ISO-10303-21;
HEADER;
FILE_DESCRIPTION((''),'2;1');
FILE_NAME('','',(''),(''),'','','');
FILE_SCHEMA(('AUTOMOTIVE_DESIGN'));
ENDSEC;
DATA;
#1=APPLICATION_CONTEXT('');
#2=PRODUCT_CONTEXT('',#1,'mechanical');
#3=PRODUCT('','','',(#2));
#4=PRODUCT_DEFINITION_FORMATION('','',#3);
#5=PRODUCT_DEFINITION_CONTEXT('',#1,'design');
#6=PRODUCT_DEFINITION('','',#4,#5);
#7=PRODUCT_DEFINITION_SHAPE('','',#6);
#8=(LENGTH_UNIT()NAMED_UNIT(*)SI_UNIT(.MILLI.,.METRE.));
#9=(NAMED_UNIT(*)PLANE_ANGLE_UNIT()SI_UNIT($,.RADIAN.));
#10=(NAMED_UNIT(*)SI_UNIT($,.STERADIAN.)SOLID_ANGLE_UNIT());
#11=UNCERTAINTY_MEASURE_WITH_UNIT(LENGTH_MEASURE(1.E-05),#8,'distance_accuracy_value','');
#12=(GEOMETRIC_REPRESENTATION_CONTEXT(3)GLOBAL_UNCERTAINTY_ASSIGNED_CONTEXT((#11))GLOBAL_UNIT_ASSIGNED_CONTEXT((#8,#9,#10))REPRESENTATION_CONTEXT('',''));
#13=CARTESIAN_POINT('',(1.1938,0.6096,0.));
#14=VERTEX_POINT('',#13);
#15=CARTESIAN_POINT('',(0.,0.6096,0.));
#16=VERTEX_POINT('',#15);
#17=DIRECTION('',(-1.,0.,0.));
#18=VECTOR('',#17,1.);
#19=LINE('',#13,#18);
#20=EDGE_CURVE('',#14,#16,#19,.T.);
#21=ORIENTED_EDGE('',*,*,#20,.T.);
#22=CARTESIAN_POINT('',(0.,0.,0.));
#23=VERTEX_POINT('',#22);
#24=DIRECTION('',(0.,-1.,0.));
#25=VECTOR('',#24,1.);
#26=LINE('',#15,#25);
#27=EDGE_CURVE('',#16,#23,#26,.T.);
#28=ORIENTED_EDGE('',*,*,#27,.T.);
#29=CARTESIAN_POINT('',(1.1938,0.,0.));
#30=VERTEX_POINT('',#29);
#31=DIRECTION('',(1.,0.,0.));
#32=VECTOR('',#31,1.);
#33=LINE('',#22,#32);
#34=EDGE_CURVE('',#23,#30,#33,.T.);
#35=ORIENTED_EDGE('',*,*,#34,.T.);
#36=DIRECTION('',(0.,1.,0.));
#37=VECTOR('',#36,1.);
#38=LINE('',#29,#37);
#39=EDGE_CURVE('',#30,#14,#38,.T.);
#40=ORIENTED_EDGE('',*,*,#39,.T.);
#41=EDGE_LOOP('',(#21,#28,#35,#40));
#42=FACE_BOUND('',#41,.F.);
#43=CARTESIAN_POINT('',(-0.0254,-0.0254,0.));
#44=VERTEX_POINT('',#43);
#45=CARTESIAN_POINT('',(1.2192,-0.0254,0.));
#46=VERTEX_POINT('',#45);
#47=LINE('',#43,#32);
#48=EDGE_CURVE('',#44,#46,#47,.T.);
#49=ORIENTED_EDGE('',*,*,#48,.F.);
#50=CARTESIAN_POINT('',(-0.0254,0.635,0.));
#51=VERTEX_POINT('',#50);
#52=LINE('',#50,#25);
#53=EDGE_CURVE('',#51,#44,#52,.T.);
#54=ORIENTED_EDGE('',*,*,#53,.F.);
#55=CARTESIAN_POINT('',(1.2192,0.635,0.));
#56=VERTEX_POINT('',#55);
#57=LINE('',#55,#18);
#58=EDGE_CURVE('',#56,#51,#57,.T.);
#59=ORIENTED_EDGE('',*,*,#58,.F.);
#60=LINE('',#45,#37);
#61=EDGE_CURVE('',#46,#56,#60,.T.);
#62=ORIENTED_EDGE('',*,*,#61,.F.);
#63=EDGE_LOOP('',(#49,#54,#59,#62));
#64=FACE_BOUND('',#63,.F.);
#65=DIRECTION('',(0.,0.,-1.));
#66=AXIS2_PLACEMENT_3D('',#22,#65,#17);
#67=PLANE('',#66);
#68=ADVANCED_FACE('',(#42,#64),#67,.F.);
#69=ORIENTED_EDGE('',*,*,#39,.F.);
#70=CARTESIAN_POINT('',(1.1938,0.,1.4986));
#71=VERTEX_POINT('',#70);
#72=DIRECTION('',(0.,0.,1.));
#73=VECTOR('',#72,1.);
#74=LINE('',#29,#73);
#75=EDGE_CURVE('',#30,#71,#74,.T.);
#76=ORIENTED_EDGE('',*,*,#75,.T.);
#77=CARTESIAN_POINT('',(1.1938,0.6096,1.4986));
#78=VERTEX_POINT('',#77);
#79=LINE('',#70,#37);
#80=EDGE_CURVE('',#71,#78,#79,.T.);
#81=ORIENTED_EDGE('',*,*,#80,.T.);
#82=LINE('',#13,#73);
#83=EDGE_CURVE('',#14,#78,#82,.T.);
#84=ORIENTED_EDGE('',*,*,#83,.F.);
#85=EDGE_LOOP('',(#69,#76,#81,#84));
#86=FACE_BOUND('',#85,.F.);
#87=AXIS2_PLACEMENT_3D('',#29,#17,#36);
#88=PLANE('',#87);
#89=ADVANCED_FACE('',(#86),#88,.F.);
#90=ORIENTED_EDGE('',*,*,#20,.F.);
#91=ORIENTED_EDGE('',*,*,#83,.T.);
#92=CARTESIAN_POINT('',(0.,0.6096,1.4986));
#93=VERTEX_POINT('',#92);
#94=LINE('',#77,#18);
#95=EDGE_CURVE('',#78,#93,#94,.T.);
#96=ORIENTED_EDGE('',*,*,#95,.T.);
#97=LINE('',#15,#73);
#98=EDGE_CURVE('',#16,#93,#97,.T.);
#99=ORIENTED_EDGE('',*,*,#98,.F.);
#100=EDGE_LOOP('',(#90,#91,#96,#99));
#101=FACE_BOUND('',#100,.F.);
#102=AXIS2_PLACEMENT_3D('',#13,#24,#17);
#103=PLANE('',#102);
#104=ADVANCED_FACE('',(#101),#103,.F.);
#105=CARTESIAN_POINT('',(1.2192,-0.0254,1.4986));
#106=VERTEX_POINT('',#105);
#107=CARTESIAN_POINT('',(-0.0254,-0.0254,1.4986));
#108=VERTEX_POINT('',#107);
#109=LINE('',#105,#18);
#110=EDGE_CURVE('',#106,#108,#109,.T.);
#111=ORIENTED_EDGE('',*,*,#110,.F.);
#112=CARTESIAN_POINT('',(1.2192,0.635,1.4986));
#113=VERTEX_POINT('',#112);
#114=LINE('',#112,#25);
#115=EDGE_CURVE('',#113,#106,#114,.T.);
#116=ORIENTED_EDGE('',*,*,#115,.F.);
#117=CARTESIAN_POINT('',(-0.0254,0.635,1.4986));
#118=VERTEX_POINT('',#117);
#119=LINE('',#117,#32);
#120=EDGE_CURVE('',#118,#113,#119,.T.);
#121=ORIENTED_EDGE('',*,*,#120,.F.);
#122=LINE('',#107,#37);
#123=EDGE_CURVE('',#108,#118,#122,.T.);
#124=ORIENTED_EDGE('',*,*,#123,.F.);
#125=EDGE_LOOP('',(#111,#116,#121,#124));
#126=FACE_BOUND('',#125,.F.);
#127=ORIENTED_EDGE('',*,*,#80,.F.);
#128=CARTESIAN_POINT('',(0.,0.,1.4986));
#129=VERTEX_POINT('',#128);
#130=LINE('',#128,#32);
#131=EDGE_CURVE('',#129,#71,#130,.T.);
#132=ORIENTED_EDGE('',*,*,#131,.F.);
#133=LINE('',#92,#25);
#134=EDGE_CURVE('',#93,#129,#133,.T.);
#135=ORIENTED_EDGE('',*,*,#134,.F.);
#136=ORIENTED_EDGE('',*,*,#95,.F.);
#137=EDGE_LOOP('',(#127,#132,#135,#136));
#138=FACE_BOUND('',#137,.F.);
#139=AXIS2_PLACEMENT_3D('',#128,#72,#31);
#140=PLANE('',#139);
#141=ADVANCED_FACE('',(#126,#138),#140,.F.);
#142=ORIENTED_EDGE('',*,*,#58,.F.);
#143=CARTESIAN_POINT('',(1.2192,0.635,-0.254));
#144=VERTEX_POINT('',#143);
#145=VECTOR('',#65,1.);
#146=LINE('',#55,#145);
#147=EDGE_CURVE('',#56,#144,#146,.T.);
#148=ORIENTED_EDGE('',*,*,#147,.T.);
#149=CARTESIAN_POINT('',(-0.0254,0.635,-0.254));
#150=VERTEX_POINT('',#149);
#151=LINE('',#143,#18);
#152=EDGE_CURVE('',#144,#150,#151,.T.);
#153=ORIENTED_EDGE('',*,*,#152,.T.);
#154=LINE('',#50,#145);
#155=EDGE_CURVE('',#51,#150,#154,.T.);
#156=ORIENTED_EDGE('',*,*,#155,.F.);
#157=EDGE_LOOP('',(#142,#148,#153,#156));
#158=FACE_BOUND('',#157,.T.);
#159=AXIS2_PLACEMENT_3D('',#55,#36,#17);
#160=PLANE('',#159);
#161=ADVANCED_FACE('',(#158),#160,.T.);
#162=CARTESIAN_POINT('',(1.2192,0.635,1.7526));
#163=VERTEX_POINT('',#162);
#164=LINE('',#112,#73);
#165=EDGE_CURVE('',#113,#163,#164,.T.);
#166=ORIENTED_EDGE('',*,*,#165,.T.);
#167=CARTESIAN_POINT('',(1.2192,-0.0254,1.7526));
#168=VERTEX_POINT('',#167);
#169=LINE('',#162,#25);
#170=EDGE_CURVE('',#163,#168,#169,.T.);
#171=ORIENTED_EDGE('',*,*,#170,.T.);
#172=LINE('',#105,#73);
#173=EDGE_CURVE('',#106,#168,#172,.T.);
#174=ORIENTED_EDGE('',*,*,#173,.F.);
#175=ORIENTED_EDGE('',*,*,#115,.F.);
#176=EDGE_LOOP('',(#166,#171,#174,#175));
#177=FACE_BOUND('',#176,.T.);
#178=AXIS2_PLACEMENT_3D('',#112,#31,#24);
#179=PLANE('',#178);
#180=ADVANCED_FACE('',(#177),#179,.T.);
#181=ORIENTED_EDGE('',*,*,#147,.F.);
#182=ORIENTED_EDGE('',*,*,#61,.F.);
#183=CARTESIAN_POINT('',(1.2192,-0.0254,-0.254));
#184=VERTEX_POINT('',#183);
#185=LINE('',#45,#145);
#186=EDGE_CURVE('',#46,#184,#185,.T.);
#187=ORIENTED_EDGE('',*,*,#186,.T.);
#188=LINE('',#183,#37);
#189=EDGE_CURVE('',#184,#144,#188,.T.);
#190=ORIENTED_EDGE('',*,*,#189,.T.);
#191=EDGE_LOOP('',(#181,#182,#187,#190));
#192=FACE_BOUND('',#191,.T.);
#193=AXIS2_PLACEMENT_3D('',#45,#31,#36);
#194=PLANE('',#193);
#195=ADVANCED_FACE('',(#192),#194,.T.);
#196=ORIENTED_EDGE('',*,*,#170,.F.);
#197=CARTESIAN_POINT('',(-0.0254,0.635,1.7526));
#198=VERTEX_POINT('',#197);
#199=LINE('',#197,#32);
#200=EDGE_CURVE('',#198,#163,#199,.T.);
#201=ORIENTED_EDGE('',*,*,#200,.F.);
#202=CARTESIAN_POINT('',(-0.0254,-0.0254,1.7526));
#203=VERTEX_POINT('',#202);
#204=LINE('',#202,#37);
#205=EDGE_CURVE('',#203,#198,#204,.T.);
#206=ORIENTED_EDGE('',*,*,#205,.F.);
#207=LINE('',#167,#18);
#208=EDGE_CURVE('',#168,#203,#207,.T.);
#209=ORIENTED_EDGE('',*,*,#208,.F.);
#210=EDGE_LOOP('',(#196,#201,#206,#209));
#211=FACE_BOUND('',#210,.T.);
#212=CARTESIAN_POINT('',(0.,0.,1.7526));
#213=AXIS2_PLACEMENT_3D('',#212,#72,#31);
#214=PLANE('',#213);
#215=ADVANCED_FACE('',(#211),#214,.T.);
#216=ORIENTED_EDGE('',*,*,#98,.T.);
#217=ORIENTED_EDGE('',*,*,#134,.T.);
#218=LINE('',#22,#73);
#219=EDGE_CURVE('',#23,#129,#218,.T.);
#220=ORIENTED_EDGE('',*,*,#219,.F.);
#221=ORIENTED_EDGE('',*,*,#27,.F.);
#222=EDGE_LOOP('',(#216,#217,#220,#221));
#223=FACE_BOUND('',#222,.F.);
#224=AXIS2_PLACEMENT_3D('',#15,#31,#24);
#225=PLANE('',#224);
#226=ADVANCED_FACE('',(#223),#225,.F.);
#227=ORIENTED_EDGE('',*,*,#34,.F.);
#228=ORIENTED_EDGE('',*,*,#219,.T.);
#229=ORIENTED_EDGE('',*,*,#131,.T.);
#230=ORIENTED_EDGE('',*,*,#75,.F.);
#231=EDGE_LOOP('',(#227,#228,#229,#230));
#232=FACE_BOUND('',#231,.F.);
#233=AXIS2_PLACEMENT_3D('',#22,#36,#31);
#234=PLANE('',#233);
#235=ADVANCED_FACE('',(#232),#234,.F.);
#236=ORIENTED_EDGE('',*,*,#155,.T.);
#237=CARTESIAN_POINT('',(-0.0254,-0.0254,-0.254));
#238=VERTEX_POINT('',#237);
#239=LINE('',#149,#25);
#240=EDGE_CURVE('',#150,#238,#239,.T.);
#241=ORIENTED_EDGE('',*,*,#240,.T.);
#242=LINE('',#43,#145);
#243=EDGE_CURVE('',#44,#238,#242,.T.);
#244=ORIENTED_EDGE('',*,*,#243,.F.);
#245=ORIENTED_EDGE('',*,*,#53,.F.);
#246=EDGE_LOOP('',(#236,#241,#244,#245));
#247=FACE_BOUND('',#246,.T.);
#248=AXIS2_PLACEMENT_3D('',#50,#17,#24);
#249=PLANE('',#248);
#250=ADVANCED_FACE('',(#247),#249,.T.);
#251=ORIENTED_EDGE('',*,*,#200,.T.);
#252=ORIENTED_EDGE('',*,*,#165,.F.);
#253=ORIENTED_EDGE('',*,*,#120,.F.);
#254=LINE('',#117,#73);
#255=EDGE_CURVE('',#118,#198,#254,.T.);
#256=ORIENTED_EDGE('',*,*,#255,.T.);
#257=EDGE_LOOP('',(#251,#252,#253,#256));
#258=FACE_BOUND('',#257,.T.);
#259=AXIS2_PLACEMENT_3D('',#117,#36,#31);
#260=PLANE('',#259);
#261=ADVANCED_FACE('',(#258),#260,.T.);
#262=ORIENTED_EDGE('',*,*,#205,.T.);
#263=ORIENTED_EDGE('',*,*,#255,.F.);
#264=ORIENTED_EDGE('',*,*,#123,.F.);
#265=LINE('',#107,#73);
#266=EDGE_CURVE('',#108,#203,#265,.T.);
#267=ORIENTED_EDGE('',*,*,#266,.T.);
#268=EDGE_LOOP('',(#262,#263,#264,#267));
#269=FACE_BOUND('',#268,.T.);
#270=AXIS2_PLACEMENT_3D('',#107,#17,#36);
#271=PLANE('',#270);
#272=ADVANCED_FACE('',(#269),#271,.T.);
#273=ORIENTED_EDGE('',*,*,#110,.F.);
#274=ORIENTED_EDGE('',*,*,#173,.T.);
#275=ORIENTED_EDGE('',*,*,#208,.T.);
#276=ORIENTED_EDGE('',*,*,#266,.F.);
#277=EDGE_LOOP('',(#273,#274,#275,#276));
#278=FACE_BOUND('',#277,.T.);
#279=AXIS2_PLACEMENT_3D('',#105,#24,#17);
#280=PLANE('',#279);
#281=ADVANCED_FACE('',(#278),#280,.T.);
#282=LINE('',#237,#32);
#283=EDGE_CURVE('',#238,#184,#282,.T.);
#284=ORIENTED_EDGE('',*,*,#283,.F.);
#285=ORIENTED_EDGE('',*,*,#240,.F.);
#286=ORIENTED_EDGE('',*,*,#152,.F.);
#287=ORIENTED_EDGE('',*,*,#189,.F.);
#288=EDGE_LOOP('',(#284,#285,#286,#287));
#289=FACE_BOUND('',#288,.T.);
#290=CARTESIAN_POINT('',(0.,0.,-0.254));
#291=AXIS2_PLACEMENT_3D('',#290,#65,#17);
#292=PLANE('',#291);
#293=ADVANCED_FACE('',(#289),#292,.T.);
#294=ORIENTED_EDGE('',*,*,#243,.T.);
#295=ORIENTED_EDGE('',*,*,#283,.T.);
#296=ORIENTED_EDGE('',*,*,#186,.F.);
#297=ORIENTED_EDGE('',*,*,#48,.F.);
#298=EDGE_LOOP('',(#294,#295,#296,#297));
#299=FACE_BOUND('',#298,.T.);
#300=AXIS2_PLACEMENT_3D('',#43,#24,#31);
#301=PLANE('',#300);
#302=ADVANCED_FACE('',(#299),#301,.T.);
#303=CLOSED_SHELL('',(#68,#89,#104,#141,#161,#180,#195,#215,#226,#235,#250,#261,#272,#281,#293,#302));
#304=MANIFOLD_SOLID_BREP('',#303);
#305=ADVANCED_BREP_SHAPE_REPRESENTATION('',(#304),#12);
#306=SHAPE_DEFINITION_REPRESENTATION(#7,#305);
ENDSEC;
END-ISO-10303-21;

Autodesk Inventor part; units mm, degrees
ref_plane "YZ Plane" through (0, 0, 0) normal (1, 0, 0) x (0, 1, 0)
ref_plane "XZ Plane" through (0, 0, 0) normal (0, 1, 0) x (-1, 0, 0)
ref_plane "XY Plane" through (0, 0, 0) normal (0, 0, 1) x (1, 0, 0)
sketch "Sketch1" plane through (0, 0, 0) normal (0, 0, 1) x (1, 0, 0)
  line L0 (0, 0) -> (1.1938, 0)
  line L1 (1.1938, 0) -> (1.1938, 0.6096)
  line L2 (1.1938, 0.6096) -> (0, 0.6096)
  line L3 (0, 0.6096) -> (0, 0)
  dimension "d0" = 0.6096
  dimension "d1" = 1.1938
extrude "Extrusion1" add sketch "Sketch1" along normal blind 1.4986
sketch "Sketch2" plane through (0, 0, 1.4986) normal (0, 0, 1) x (1, 0, 0)
  line L0 (-0.0254, 0.635) -> (1.2192, 0.635)
  line L1 (1.2192, 0.635) -> (1.2192, -0.0254)
  line L2 (1.2192, -0.0254) -> (-0.0254, -0.0254)
  line L3 (-0.0254, -0.0254) -> (-0.0254, 0.635)
  line L4 (1.1938, 0.6096) -> (0, 0.6096) projected
  line L5 (0, 0) -> (1.1938, 0) projected
  line L6 (1.1938, 0) -> (1.1938, 0.6096) projected
  line L7 (0, 0.6096) -> (0, 0) projected
  dimension "d4" = 0.0254
  dimension "d5" = 0.0254
  dimension "d6" = 0.0254
  dimension "d7" = 0.0254
extrude "Extrusion2" add sketch "Sketch2" along normal blind 0.254 contours L0 L1 L2 L3 | L6 L5 L7 L4
sketch "Sketch3" plane through (0, 0, 0) normal (0, 0, -1) x (-1, 0, 0)
  line L0 (0.0254, -0.0254) -> (-1.2192, -0.0254)
  line L1 (-1.2192, -0.0254) -> (-1.2192, 0.635)
  line L2 (-1.2192, 0.635) -> (0.0254, 0.635)
  line L3 (0.0254, 0.635) -> (0.0254, -0.0254)
  point P0 (0, 0)
extrude "Extrusion3" add sketch "Sketch3" along normal blind 0.254
properties part number "s220 Resistor"
